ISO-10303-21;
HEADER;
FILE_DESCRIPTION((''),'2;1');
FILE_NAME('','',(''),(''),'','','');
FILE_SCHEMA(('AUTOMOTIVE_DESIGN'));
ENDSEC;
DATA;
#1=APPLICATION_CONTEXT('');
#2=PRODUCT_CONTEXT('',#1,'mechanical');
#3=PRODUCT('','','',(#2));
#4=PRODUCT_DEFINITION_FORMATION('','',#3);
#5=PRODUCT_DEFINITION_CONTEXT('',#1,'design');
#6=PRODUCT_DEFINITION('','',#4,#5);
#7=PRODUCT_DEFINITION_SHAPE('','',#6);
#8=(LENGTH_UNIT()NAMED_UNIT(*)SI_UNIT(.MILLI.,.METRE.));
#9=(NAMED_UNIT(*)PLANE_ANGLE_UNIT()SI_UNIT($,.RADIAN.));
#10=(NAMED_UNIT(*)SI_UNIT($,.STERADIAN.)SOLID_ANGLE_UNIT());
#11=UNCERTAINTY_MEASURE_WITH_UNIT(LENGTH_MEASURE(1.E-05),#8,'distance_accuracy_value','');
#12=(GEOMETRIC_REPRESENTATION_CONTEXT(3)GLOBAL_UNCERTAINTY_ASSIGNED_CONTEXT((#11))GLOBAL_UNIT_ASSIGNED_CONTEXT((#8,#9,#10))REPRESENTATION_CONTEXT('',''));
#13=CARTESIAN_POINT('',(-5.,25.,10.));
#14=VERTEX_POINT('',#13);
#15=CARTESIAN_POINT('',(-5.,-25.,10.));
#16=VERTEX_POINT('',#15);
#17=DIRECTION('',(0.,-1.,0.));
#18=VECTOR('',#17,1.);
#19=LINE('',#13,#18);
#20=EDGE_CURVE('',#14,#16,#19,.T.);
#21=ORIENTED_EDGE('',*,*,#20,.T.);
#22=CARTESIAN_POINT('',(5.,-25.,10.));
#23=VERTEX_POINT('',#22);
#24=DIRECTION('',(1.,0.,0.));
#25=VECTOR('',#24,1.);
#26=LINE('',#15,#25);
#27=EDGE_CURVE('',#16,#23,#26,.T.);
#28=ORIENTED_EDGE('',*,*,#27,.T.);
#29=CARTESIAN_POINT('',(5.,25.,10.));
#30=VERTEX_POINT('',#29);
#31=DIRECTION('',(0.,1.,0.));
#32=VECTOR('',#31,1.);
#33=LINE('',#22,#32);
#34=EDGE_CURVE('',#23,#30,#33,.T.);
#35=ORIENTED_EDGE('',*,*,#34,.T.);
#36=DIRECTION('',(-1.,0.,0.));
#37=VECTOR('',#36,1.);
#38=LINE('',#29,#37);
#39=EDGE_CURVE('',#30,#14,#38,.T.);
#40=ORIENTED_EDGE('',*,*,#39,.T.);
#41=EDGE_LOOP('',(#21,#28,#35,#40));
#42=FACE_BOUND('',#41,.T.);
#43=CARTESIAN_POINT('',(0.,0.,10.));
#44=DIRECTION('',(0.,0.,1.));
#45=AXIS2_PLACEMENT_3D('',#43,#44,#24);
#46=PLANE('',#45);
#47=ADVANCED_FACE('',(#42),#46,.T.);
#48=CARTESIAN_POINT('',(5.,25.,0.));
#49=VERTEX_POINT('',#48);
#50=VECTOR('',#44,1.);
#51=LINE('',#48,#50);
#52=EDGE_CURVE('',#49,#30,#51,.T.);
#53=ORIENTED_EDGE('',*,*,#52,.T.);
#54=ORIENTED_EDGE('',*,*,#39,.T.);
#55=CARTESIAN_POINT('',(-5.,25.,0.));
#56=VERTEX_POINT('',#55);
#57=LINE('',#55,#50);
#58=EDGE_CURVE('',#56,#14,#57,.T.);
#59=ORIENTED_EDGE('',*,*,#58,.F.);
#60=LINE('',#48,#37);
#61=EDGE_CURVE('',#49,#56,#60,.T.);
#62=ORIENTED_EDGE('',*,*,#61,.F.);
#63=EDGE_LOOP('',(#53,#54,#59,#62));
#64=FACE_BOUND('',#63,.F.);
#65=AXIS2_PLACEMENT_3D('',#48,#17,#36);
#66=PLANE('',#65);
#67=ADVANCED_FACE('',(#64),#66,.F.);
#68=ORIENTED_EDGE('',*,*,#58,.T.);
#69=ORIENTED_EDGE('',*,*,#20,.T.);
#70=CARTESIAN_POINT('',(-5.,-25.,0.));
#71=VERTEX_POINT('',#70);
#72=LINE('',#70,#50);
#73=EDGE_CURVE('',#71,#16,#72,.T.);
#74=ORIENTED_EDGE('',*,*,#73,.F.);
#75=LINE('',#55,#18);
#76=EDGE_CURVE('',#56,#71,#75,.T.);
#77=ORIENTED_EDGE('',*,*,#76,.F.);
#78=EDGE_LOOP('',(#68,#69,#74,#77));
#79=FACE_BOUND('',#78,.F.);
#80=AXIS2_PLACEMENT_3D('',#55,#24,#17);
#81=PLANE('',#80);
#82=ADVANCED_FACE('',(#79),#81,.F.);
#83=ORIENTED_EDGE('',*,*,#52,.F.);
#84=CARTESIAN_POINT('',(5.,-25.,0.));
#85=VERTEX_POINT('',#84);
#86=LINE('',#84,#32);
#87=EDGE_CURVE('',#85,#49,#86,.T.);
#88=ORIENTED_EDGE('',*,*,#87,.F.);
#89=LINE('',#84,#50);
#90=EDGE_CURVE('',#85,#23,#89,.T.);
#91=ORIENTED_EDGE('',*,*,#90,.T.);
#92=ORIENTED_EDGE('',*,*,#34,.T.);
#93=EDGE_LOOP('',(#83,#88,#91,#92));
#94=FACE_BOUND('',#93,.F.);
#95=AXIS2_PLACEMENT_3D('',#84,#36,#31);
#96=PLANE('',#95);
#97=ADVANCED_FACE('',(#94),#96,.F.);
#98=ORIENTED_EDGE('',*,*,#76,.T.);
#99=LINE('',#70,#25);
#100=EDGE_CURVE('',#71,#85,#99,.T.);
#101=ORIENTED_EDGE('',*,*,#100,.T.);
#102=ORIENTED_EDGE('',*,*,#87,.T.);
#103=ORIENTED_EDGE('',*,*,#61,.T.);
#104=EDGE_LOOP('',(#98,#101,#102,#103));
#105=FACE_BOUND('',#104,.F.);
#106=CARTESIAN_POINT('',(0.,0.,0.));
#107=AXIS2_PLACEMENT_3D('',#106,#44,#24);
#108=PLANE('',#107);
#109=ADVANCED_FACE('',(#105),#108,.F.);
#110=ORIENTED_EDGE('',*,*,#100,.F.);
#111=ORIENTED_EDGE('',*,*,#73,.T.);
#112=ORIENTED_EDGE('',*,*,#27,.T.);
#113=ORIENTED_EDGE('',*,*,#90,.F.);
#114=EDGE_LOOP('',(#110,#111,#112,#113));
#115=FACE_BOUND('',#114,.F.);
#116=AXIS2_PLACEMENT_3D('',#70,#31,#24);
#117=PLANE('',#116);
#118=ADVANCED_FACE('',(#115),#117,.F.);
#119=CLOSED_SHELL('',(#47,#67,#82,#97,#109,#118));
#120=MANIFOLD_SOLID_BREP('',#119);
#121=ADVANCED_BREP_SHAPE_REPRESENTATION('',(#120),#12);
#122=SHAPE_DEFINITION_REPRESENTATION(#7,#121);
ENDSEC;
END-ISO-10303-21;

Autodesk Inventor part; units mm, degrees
ref_plane "YZ Plane" through (0, 0, 0) normal (1, 0, 0) x (0, 1, 0)
ref_plane "XZ Plane" through (0, 0, 0) normal (0, 1, 0) x (-1, 0, 0)
ref_plane "XY Plane" through (0, 0, 0) normal (0, 0, 1) x (1, 0, 0)
sketch "Boceto2" plane through (0, 0, 0) normal (0, 0, 1) x (1, 0, 0)
  line L0 (-5, -25) -> (5, -25)
  line L1 (5, -25) -> (5, 25)
  line L2 (5, 25) -> (-5, 25)
  line L3 (-5, 25) -> (-5, -25)
  line L4 (-5, -25) -> (5, 25) construction
  line L5 (5, -25) -> (-5, 25) construction
  point P0 (0, 0)
  dimension "d3" = 10
  dimension "d4" = 50
extrude "Extrusión2" add sketch "Boceto2" along normal blind 10
properties material "MDF Tablero de fibras de densidad media"
